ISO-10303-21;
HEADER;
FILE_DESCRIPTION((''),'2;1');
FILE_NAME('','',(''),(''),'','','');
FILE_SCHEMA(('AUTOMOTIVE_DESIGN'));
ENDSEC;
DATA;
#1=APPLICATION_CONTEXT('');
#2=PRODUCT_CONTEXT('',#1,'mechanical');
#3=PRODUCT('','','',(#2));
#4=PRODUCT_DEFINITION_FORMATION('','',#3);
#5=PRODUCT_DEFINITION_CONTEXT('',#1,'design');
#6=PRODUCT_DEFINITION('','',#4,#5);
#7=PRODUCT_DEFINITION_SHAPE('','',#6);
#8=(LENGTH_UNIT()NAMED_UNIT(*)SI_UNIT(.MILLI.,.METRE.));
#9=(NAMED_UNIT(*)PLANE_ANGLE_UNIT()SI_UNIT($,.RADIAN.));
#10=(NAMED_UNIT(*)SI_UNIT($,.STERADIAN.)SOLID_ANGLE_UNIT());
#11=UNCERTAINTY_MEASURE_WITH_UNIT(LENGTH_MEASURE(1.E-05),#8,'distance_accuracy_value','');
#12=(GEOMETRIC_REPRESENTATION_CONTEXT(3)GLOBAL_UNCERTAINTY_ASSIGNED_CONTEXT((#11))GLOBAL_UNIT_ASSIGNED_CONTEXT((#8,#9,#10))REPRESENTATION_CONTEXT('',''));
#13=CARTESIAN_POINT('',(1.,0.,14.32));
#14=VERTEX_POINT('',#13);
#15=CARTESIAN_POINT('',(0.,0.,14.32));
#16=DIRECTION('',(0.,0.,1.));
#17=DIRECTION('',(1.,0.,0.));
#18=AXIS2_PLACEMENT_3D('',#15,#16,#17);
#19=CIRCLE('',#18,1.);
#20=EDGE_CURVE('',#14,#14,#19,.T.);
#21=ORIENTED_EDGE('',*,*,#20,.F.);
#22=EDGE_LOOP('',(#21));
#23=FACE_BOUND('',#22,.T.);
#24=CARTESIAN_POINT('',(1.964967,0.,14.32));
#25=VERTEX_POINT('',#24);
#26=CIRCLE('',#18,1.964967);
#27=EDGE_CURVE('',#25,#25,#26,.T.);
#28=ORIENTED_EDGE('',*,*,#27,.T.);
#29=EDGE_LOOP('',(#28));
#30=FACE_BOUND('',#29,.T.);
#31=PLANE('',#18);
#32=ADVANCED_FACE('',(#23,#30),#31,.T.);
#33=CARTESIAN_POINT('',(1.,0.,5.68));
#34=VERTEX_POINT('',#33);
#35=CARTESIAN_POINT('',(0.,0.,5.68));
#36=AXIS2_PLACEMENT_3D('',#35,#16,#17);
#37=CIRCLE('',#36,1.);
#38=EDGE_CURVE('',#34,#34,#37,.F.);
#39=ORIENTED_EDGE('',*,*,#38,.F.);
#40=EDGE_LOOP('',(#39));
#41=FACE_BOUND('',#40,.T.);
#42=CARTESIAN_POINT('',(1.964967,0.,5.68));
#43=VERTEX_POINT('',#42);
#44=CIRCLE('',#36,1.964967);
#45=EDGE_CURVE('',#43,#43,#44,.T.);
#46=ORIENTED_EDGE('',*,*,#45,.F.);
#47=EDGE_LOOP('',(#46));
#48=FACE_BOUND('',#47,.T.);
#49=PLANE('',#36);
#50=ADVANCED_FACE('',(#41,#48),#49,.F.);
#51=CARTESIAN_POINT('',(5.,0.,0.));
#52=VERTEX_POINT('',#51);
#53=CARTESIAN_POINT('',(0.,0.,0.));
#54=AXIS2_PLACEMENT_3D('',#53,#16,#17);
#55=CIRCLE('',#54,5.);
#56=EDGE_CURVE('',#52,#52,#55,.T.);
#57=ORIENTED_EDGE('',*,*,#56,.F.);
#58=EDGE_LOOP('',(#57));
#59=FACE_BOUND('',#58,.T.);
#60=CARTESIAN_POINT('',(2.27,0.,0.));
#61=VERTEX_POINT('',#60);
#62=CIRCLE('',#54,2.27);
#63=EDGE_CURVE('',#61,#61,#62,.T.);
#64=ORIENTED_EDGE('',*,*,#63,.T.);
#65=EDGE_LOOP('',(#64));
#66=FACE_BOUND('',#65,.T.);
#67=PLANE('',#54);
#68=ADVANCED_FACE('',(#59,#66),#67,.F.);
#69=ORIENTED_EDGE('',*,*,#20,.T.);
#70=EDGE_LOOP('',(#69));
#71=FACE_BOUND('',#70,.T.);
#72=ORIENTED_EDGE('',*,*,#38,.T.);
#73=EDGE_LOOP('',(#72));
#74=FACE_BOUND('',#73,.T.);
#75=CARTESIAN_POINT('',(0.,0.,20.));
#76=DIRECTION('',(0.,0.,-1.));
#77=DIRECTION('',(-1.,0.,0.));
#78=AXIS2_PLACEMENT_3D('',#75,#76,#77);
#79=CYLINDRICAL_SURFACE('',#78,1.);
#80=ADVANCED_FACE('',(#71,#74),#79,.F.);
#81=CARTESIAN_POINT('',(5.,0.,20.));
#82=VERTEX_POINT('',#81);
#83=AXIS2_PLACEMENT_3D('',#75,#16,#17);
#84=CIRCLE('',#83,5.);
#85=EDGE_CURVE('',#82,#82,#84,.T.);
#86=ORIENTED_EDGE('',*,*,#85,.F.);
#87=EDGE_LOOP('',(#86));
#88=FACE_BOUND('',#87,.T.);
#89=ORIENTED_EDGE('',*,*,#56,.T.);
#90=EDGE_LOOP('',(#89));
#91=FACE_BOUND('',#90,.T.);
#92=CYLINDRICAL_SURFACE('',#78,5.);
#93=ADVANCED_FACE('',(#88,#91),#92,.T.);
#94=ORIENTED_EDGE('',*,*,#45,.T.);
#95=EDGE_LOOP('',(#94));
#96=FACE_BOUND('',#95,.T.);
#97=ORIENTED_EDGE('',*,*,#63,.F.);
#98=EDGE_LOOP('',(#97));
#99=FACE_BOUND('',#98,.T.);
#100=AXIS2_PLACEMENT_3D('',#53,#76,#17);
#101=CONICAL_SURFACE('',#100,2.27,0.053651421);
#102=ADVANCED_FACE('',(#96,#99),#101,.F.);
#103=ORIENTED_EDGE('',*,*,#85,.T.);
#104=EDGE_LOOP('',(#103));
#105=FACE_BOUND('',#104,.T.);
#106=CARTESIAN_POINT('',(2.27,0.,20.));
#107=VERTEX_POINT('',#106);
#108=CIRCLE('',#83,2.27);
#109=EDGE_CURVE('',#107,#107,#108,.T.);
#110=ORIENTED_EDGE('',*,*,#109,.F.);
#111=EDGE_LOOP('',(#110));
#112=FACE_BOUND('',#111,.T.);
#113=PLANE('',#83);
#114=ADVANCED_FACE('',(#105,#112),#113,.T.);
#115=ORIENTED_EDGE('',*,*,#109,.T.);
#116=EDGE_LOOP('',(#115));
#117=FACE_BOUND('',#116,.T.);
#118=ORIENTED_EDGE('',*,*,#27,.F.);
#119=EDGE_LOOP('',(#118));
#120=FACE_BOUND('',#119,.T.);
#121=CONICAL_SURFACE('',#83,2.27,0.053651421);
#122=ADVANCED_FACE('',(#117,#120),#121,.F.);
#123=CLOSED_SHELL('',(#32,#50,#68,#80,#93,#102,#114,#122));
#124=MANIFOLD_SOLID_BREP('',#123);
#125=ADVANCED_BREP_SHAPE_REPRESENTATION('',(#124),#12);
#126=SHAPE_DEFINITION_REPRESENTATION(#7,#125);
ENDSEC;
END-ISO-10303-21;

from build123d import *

# Parameters (mm, degrees)
SKETCH1_R           = 5
BOSS_EXTRUDE1_DEPTH = 20
SKETCH2_R           = 2.27
CUT_EXTRUDE1_DEPTH  = 5.68
CUT_EXTRUDE1_TAPER  = 3.074
SKETCH7_R           = 1
CUT_EXTRUDE2_DEPTH  = 21
SKETCH9_R           = 2.27
CUT_EXTRUDE3_DEPTH  = 5.68
CUT_EXTRUDE3_TAPER  = 3.074


with BuildPart() as part:
    # Sketch1 → Boss-Extrude1 (new body)
    with BuildSketch(Plane.XY):
        Circle(SKETCH1_R)
    extrude(amount=BOSS_EXTRUDE1_DEPTH)

    # Sketch2 → Cut-Extrude1 (cut)
    with BuildSketch(Plane.XY):
        Circle(SKETCH2_R)
    extrude(amount=CUT_EXTRUDE1_DEPTH, taper=CUT_EXTRUDE1_TAPER, mode=Mode.SUBTRACT)

    # Sketch7 → Cut-Extrude2 (cut, through all)
    with BuildSketch(Plane.XY):
        Circle(SKETCH7_R)
    extrude(amount=CUT_EXTRUDE2_DEPTH, mode=Mode.SUBTRACT)

    # Sketch9 → Cut-Extrude3 (cut)
    with BuildSketch(Plane.XY.offset(20)):
        Circle(SKETCH9_R)
    extrude(amount=-CUT_EXTRUDE3_DEPTH, taper=CUT_EXTRUDE3_TAPER, mode=Mode.SUBTRACT)


solid = part.part
